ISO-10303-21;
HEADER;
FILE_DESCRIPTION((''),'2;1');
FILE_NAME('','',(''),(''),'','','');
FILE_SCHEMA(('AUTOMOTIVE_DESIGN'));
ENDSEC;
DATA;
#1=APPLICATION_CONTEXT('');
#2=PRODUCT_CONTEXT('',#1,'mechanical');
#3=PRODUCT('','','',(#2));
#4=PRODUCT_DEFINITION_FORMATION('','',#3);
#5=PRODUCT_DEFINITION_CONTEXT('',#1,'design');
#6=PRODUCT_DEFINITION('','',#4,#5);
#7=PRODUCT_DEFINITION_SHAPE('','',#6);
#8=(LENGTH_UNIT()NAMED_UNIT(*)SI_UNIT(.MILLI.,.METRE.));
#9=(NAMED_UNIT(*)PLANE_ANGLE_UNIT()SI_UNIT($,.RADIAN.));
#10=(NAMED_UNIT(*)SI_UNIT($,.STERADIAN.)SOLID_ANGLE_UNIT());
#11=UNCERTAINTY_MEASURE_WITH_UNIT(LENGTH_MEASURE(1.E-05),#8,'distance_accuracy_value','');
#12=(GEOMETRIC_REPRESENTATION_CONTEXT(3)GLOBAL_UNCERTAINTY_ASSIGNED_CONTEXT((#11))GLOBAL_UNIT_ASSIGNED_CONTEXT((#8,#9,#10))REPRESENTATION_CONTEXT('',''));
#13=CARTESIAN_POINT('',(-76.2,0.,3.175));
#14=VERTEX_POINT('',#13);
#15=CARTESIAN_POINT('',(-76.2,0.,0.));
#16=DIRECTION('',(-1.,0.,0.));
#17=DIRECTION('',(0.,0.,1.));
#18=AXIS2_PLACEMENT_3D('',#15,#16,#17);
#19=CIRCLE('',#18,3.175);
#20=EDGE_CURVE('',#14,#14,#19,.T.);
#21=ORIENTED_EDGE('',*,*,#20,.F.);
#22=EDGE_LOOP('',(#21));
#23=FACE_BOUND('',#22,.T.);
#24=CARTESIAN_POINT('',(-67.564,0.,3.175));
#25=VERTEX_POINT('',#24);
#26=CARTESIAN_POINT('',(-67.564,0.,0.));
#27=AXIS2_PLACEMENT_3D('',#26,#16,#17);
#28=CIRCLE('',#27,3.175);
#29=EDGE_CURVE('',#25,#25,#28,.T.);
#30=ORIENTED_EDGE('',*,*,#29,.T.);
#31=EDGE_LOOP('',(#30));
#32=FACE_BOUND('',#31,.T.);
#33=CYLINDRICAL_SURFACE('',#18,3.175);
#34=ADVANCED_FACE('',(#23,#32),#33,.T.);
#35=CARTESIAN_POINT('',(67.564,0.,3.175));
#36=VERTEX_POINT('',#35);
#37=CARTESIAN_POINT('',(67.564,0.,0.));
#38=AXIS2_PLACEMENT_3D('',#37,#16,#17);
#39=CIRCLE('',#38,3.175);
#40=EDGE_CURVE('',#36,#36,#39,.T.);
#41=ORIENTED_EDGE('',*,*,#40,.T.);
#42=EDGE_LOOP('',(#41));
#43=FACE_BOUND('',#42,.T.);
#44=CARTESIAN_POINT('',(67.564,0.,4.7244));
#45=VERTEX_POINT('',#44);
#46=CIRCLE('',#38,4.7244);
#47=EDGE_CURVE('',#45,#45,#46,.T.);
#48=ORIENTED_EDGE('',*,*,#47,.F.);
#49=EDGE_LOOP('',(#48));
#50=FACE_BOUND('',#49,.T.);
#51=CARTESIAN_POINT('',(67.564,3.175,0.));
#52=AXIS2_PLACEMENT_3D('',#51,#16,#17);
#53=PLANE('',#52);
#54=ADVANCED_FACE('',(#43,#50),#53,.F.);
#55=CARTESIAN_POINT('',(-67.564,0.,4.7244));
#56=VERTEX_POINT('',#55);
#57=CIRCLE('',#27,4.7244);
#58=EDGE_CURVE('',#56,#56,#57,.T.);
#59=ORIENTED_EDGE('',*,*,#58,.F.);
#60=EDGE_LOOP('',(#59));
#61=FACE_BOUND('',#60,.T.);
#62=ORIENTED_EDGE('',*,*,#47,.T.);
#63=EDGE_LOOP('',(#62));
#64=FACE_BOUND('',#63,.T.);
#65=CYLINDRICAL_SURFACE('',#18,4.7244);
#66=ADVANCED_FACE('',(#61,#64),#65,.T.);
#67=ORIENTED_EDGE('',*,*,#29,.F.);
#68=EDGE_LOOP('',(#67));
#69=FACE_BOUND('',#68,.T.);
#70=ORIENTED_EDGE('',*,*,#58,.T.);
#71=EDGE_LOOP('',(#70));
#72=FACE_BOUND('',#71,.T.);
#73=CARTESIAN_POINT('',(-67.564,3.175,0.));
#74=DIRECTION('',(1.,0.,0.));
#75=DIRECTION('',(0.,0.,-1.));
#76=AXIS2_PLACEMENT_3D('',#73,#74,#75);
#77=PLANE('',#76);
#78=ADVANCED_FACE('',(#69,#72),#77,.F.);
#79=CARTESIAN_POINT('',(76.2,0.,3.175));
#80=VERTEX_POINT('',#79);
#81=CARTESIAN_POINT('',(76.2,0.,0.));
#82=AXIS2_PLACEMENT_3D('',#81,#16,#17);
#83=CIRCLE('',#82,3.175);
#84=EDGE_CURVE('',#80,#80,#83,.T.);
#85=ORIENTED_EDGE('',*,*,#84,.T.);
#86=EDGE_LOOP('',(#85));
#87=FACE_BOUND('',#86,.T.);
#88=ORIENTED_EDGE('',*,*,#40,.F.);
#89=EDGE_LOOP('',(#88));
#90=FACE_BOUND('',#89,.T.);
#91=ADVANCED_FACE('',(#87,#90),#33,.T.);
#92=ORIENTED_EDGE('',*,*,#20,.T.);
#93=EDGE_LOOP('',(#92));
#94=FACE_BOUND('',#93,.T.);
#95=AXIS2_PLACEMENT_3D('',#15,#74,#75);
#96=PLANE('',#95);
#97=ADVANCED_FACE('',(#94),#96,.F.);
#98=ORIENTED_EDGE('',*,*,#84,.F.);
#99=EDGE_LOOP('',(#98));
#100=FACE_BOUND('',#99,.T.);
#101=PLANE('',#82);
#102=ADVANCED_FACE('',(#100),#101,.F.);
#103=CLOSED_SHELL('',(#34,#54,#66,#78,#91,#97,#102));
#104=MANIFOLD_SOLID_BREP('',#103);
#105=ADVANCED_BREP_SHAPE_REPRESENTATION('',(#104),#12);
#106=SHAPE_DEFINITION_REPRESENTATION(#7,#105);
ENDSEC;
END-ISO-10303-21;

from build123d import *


with BuildPart() as part:
    # Sketch1 → Revolve1 (revolve)
    with BuildSketch(Plane.XY):
        Polygon((76.2, 0), (76.2, 3.175), (67.564, 3.175), (67.564, 4.7244), (-67.564, 4.7244), (-67.564, 3.175), (-76.2, 3.175), (-76.2, 0), align=None)
    revolve(axis=Axis((-76.2, 0, 0), (1, 0, 0)))


solid = part.part
